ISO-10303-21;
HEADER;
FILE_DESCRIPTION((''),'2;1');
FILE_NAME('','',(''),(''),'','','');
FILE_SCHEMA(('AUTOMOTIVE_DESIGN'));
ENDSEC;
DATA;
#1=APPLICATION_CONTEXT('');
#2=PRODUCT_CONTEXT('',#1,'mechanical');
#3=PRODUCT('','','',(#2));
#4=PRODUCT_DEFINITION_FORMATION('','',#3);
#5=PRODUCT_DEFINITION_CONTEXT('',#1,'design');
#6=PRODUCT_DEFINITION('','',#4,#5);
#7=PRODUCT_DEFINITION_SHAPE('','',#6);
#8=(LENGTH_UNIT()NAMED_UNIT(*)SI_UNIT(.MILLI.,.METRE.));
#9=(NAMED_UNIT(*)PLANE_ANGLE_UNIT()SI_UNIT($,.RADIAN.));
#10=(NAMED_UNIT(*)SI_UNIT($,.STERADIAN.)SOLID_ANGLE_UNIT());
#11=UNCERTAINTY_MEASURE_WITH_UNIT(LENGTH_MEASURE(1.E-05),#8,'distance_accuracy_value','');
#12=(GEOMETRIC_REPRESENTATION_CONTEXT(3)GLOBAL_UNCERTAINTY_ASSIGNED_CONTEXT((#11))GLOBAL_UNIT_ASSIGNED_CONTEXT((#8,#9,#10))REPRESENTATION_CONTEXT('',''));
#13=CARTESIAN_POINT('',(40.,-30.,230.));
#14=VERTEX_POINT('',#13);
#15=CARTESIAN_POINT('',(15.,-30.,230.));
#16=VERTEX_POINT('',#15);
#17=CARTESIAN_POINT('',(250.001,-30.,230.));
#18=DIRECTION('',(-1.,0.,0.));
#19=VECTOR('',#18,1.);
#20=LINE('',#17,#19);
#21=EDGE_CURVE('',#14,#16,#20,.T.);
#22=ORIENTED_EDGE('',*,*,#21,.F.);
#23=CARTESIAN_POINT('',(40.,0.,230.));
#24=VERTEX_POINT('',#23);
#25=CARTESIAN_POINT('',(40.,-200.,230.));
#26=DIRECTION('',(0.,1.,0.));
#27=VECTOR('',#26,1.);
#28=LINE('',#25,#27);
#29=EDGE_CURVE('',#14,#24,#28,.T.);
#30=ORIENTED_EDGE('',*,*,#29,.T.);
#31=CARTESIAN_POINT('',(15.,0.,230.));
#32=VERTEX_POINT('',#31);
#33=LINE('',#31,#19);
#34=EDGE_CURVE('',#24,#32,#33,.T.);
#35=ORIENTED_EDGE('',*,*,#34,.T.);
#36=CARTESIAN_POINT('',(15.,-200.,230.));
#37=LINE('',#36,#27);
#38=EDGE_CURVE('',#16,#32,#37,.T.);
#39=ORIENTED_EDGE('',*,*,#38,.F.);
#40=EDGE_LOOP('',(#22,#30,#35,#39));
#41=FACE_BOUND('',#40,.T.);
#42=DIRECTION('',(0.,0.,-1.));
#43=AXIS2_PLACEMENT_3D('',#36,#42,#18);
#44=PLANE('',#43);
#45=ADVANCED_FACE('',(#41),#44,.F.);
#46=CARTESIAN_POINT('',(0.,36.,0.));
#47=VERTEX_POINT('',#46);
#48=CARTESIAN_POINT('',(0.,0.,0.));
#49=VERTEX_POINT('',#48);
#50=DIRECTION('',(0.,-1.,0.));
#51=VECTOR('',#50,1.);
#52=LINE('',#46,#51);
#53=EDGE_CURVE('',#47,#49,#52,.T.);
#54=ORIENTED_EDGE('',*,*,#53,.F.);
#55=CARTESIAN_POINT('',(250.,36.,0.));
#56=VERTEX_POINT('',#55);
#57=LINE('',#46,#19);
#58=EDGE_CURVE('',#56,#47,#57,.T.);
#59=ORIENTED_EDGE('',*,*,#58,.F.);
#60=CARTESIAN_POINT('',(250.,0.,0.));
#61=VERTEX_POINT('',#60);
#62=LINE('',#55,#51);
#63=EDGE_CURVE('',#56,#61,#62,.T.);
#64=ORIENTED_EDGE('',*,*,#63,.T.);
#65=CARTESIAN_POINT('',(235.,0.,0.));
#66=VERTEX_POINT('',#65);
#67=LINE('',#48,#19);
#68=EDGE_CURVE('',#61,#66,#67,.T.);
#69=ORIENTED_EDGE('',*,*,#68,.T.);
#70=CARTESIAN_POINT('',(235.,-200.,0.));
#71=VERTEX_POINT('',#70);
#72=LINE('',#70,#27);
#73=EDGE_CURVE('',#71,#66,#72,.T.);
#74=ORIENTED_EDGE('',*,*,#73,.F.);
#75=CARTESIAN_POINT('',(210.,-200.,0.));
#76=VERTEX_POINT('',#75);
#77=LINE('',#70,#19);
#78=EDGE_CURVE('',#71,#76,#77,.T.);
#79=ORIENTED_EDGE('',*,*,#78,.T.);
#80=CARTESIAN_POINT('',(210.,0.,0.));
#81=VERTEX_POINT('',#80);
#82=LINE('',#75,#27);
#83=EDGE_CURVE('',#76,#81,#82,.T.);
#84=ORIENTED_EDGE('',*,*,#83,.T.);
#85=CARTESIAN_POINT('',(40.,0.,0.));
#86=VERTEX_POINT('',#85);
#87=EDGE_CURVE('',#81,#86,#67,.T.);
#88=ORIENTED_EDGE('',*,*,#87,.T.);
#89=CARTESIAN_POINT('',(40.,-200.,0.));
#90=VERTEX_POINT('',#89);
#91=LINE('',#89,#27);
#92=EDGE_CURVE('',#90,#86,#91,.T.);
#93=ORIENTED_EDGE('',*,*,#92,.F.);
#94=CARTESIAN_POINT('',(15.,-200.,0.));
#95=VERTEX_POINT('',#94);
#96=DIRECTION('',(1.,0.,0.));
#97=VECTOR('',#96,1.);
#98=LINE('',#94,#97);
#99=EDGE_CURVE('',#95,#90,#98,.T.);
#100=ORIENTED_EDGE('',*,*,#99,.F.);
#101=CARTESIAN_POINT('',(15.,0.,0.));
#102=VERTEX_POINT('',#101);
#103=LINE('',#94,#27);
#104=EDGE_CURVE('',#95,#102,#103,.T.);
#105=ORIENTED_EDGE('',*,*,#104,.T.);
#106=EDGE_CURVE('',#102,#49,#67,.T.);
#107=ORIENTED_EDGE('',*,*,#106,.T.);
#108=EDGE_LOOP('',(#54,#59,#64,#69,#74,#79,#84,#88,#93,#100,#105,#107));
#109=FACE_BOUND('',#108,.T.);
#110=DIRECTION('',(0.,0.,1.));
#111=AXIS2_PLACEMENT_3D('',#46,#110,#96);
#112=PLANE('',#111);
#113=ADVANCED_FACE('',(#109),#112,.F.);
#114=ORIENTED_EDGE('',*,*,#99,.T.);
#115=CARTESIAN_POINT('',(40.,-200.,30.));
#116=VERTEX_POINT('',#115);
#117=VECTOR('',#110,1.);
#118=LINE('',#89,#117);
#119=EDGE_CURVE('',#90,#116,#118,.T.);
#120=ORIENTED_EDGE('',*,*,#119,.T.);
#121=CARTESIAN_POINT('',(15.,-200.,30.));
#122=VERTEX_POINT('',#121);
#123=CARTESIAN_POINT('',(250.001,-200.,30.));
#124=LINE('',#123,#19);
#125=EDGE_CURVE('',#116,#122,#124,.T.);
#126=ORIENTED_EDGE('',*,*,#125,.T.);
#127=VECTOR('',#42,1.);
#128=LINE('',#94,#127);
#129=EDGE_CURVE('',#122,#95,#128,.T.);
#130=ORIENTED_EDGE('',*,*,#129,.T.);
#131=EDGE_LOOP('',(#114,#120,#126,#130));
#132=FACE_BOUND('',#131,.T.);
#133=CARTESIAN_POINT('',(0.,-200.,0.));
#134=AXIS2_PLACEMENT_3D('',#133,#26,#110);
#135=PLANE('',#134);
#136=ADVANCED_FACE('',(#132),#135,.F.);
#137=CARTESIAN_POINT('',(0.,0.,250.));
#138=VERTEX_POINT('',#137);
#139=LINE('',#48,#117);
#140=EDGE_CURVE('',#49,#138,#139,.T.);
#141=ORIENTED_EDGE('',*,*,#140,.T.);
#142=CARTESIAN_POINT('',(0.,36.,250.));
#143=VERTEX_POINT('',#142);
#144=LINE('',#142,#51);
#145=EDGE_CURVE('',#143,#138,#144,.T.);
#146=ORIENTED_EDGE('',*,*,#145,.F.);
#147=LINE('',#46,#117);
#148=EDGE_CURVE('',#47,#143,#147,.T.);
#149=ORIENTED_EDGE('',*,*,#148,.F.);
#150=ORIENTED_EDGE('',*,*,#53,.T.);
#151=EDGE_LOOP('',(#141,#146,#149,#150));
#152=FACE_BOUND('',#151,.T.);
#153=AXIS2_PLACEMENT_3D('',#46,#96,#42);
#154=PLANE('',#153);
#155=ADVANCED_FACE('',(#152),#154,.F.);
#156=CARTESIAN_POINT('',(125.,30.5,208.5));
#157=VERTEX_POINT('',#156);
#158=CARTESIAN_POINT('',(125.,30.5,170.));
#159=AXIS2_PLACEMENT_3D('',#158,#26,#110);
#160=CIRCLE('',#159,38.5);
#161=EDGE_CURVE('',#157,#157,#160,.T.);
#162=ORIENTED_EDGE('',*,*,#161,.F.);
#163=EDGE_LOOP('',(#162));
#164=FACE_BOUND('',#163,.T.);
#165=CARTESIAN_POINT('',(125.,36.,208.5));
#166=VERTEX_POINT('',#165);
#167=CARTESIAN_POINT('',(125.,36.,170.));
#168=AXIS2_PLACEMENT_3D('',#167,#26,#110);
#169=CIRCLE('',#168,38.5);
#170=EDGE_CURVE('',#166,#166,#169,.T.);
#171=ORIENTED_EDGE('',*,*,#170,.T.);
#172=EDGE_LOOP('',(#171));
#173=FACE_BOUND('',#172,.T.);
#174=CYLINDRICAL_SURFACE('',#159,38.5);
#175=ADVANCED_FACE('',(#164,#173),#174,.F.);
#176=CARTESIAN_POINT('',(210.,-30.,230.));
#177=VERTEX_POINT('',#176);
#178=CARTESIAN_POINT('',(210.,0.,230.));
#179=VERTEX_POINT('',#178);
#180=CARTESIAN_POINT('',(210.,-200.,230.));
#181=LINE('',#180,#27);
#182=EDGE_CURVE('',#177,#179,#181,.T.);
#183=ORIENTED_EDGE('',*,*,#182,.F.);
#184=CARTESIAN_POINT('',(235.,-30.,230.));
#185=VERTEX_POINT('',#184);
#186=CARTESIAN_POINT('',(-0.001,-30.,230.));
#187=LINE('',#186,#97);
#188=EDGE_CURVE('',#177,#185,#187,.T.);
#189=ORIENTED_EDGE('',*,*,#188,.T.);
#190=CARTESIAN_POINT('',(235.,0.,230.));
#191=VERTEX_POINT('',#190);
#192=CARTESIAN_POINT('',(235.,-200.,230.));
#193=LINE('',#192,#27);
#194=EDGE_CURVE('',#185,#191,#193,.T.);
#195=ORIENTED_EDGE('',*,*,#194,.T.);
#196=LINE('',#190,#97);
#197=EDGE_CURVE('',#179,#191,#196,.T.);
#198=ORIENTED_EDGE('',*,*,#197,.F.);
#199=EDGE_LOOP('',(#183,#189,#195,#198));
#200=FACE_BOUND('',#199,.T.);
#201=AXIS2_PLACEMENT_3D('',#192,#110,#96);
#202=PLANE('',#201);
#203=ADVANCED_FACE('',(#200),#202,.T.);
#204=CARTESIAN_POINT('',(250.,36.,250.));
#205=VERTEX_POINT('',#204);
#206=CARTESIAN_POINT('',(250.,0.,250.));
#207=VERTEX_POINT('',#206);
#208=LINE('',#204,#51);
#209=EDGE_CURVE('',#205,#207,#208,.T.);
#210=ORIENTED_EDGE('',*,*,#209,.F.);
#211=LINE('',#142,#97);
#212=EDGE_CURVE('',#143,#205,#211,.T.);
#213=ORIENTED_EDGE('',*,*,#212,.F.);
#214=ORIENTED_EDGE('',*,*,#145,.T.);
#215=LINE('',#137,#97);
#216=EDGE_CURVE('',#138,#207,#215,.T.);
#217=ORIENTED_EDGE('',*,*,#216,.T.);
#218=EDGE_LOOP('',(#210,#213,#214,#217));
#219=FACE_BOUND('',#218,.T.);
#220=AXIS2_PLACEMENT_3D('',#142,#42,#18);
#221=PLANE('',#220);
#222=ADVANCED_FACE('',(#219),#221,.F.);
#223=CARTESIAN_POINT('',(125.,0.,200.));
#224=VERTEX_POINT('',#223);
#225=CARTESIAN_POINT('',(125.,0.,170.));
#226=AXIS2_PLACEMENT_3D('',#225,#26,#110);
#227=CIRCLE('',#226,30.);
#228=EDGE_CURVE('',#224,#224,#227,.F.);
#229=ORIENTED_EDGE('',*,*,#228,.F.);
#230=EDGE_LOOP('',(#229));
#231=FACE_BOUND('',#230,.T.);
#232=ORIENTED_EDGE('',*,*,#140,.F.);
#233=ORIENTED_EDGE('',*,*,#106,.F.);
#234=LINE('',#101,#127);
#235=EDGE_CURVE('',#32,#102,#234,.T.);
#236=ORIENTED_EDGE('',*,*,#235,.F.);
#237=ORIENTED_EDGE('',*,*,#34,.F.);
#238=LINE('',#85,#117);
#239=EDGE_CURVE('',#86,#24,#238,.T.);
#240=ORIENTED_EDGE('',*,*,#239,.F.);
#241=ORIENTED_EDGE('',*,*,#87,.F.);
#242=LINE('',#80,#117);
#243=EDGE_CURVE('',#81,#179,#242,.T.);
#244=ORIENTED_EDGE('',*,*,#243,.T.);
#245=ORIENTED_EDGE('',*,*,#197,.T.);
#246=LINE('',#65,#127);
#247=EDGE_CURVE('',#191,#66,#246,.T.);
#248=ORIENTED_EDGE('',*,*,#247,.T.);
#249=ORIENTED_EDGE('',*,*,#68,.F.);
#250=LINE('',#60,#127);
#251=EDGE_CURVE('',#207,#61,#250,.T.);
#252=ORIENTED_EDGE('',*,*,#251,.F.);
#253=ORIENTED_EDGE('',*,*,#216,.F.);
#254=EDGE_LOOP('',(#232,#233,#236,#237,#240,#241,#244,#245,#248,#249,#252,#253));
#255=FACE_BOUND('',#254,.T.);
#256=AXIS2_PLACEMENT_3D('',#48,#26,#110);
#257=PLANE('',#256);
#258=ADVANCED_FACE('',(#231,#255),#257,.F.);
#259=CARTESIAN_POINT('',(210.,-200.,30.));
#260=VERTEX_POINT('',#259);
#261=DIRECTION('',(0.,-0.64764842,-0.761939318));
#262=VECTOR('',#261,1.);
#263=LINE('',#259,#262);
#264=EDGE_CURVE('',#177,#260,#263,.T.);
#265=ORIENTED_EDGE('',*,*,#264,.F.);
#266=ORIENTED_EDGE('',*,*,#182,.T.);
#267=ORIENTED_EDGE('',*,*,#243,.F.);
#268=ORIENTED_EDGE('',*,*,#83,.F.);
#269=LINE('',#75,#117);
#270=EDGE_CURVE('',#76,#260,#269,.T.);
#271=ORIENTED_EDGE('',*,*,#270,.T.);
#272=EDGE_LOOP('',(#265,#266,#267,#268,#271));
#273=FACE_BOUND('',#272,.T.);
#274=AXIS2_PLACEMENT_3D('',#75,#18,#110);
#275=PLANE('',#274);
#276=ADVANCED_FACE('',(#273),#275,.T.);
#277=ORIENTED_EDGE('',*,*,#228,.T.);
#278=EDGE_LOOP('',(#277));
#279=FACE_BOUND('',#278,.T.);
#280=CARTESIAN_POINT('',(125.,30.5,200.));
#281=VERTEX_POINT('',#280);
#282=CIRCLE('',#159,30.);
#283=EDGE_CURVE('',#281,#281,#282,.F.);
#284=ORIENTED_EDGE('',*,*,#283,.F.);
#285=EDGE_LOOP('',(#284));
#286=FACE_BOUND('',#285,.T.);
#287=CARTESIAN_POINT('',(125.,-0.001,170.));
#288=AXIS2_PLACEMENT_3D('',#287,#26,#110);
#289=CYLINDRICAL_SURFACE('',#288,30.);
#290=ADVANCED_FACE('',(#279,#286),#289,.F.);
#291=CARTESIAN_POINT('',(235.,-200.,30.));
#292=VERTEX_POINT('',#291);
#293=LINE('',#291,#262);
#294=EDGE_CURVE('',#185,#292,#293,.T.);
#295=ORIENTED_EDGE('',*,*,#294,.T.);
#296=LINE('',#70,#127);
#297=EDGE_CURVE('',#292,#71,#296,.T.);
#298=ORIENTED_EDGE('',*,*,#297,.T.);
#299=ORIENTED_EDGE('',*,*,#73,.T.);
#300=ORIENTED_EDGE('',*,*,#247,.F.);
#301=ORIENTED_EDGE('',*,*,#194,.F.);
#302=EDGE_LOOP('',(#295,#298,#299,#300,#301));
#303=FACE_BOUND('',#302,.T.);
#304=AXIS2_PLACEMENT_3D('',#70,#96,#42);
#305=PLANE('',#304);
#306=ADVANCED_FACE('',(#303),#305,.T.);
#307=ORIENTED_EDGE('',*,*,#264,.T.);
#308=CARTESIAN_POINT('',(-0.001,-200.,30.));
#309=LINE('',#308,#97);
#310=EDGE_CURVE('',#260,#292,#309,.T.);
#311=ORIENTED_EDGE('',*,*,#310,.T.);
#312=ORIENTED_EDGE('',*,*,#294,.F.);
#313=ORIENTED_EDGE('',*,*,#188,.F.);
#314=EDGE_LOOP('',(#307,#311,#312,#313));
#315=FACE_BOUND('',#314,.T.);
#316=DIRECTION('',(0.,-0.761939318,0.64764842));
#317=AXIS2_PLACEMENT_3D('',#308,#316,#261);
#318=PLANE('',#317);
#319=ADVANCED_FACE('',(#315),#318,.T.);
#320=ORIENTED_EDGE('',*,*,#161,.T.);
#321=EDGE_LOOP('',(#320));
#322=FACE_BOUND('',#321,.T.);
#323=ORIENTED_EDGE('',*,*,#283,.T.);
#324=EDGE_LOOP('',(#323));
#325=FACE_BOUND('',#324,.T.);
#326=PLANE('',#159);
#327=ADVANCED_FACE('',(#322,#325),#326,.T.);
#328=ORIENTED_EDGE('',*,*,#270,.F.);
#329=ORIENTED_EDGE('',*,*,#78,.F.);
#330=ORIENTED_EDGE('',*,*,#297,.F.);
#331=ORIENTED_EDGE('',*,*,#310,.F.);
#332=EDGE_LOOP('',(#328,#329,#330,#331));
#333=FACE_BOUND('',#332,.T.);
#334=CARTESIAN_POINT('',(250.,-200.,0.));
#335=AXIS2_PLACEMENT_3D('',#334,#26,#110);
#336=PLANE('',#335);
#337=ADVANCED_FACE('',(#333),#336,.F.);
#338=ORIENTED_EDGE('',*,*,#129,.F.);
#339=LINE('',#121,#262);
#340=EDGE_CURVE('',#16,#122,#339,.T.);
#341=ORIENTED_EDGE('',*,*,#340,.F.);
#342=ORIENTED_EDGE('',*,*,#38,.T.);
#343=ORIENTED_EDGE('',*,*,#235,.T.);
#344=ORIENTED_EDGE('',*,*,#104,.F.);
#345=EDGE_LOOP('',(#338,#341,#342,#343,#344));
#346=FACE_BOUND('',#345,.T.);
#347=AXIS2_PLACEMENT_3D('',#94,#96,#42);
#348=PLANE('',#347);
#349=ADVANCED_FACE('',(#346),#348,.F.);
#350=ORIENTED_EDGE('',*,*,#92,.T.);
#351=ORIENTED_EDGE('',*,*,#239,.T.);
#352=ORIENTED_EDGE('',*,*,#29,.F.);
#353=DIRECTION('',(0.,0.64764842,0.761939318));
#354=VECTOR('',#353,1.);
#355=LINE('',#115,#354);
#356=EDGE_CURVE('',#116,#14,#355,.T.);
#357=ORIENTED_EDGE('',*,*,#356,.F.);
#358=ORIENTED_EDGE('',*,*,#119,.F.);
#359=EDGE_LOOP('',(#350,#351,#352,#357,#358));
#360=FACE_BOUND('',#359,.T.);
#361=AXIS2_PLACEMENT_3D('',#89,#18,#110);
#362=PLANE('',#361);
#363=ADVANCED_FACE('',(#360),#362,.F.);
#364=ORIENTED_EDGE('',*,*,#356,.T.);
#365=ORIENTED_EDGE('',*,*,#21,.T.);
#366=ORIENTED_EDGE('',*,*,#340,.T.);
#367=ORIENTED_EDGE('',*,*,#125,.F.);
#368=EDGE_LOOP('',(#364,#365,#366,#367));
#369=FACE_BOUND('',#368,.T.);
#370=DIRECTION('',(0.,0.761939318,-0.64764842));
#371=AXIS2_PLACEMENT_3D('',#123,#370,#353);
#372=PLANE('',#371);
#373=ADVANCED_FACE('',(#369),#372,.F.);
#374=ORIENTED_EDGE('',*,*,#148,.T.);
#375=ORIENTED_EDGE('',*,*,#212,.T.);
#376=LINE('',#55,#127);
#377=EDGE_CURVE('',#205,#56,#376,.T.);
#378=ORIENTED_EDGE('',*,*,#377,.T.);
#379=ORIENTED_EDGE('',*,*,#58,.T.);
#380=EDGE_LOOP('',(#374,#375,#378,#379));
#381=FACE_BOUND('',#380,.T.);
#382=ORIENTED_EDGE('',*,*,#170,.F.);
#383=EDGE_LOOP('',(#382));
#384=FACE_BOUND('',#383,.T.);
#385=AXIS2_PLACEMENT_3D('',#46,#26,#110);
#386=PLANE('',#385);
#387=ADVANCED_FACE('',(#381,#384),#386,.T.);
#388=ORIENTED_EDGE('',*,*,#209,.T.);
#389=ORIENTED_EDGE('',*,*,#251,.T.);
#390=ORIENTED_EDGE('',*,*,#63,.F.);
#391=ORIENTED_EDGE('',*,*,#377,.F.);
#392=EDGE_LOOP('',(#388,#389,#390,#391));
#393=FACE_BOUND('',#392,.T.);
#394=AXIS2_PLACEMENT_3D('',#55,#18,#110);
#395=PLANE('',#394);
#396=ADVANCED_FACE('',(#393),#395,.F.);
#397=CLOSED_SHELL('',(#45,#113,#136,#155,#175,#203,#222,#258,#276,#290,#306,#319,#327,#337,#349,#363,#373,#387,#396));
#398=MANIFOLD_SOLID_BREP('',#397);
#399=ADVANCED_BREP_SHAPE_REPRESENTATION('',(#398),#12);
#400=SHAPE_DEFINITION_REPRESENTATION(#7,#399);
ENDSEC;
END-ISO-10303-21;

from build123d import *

# Parameters (mm, degrees)
SKETCH_1_W          = 250
SKETCH_1_H          = 250
EXTRUDE_1_DEPTH     = 36
CUT_EXTRUDE_1_REACH = 357.381
SKETCH_2_R          = 30
SKETCH_3_R          = 38.5
CUT_EXTRUDE_2_DEPTH = 5.5
SKETCH_4_W          = 25
SKETCH_4_H          = 230
EXTRUDE_2_DEPTH     = 200
CUT_EXTRUDE_3_REACH = 399.146


with BuildPart() as part:
    # 草图1 → 凸台-拉伸1 (new body)
    with BuildSketch(Plane(origin=(0, 0, 0), x_dir=(1, 0, 0), z_dir=(0, 1, 0))):
        with Locations((125, -125)):
            Rectangle(SKETCH_1_W, SKETCH_1_H)
    extrude(amount=EXTRUDE_1_DEPTH)

    # 草图2 → 切除-拉伸1 (cut, up to next)
    with BuildSketch(Plane(origin=(0, 36, 0), x_dir=(1, 0, 0), z_dir=(0, 1, 0)), mode=Mode.PRIVATE) as cut_extrude_1_sk1:
        with Locations(Location((125, -170, 0), (0, 0, 270))):
            Circle(SKETCH_2_R)
    cut_extrude_1_tool1 = extrude(cut_extrude_1_sk1.sketch, amount=-CUT_EXTRUDE_1_REACH, mode=Mode.PRIVATE) & part.part
    add(cut_extrude_1_tool1.solids().sort_by_distance((125, 36, 170))[0], mode=Mode.SUBTRACT)

    # 草图3 → 切除-拉伸2 (cut)
    with BuildSketch(Plane(origin=(0, 36, 0), x_dir=(1, 0, 0), z_dir=(0, 1, 0))):
        with Locations(Location((125, -170, 0), (0, 0, 270))):
            Circle(SKETCH_3_R)
    extrude(amount=-CUT_EXTRUDE_2_DEPTH, mode=Mode.SUBTRACT)

    # 草图4 → 凸台-拉伸2 (add)
    with BuildSketch(Plane.XZ):
        with Locations((27.5, 115)):
            Rectangle(SKETCH_4_W, SKETCH_4_H)
    extrude_2 = extrude(amount=EXTRUDE_2_DEPTH)

    # 草图5 → 切除-拉伸3 (cut, up to next)
    with BuildSketch(Plane.ZY.offset(-15), mode=Mode.PRIVATE) as cut_extrude_3_sk1:
        Polygon((30, -200), (230, -30), (230, -200), align=None)
    cut_extrude_3_tool1 = extrude(cut_extrude_3_sk1.sketch, amount=-CUT_EXTRUDE_3_REACH, mode=Mode.PRIVATE) & part.part
    cut_extrude_3 = cut_extrude_3_tool1.solids().sort_by_distance((15, -143.333333, 163.333333))[0]
    add(cut_extrude_3, mode=Mode.SUBTRACT)

    # 镜向1: 凸台-拉伸2, 切除-拉伸3 across plane
    add(extrude_2.mirror(Plane(origin=(125, 0, 0), x_dir=(0, 0, 1), z_dir=(1, 0, 0))))
    add(cut_extrude_3.mirror(Plane(origin=(125, 0, 0), x_dir=(0, 0, 1), z_dir=(1, 0, 0))), mode=Mode.SUBTRACT)


solid = part.part
